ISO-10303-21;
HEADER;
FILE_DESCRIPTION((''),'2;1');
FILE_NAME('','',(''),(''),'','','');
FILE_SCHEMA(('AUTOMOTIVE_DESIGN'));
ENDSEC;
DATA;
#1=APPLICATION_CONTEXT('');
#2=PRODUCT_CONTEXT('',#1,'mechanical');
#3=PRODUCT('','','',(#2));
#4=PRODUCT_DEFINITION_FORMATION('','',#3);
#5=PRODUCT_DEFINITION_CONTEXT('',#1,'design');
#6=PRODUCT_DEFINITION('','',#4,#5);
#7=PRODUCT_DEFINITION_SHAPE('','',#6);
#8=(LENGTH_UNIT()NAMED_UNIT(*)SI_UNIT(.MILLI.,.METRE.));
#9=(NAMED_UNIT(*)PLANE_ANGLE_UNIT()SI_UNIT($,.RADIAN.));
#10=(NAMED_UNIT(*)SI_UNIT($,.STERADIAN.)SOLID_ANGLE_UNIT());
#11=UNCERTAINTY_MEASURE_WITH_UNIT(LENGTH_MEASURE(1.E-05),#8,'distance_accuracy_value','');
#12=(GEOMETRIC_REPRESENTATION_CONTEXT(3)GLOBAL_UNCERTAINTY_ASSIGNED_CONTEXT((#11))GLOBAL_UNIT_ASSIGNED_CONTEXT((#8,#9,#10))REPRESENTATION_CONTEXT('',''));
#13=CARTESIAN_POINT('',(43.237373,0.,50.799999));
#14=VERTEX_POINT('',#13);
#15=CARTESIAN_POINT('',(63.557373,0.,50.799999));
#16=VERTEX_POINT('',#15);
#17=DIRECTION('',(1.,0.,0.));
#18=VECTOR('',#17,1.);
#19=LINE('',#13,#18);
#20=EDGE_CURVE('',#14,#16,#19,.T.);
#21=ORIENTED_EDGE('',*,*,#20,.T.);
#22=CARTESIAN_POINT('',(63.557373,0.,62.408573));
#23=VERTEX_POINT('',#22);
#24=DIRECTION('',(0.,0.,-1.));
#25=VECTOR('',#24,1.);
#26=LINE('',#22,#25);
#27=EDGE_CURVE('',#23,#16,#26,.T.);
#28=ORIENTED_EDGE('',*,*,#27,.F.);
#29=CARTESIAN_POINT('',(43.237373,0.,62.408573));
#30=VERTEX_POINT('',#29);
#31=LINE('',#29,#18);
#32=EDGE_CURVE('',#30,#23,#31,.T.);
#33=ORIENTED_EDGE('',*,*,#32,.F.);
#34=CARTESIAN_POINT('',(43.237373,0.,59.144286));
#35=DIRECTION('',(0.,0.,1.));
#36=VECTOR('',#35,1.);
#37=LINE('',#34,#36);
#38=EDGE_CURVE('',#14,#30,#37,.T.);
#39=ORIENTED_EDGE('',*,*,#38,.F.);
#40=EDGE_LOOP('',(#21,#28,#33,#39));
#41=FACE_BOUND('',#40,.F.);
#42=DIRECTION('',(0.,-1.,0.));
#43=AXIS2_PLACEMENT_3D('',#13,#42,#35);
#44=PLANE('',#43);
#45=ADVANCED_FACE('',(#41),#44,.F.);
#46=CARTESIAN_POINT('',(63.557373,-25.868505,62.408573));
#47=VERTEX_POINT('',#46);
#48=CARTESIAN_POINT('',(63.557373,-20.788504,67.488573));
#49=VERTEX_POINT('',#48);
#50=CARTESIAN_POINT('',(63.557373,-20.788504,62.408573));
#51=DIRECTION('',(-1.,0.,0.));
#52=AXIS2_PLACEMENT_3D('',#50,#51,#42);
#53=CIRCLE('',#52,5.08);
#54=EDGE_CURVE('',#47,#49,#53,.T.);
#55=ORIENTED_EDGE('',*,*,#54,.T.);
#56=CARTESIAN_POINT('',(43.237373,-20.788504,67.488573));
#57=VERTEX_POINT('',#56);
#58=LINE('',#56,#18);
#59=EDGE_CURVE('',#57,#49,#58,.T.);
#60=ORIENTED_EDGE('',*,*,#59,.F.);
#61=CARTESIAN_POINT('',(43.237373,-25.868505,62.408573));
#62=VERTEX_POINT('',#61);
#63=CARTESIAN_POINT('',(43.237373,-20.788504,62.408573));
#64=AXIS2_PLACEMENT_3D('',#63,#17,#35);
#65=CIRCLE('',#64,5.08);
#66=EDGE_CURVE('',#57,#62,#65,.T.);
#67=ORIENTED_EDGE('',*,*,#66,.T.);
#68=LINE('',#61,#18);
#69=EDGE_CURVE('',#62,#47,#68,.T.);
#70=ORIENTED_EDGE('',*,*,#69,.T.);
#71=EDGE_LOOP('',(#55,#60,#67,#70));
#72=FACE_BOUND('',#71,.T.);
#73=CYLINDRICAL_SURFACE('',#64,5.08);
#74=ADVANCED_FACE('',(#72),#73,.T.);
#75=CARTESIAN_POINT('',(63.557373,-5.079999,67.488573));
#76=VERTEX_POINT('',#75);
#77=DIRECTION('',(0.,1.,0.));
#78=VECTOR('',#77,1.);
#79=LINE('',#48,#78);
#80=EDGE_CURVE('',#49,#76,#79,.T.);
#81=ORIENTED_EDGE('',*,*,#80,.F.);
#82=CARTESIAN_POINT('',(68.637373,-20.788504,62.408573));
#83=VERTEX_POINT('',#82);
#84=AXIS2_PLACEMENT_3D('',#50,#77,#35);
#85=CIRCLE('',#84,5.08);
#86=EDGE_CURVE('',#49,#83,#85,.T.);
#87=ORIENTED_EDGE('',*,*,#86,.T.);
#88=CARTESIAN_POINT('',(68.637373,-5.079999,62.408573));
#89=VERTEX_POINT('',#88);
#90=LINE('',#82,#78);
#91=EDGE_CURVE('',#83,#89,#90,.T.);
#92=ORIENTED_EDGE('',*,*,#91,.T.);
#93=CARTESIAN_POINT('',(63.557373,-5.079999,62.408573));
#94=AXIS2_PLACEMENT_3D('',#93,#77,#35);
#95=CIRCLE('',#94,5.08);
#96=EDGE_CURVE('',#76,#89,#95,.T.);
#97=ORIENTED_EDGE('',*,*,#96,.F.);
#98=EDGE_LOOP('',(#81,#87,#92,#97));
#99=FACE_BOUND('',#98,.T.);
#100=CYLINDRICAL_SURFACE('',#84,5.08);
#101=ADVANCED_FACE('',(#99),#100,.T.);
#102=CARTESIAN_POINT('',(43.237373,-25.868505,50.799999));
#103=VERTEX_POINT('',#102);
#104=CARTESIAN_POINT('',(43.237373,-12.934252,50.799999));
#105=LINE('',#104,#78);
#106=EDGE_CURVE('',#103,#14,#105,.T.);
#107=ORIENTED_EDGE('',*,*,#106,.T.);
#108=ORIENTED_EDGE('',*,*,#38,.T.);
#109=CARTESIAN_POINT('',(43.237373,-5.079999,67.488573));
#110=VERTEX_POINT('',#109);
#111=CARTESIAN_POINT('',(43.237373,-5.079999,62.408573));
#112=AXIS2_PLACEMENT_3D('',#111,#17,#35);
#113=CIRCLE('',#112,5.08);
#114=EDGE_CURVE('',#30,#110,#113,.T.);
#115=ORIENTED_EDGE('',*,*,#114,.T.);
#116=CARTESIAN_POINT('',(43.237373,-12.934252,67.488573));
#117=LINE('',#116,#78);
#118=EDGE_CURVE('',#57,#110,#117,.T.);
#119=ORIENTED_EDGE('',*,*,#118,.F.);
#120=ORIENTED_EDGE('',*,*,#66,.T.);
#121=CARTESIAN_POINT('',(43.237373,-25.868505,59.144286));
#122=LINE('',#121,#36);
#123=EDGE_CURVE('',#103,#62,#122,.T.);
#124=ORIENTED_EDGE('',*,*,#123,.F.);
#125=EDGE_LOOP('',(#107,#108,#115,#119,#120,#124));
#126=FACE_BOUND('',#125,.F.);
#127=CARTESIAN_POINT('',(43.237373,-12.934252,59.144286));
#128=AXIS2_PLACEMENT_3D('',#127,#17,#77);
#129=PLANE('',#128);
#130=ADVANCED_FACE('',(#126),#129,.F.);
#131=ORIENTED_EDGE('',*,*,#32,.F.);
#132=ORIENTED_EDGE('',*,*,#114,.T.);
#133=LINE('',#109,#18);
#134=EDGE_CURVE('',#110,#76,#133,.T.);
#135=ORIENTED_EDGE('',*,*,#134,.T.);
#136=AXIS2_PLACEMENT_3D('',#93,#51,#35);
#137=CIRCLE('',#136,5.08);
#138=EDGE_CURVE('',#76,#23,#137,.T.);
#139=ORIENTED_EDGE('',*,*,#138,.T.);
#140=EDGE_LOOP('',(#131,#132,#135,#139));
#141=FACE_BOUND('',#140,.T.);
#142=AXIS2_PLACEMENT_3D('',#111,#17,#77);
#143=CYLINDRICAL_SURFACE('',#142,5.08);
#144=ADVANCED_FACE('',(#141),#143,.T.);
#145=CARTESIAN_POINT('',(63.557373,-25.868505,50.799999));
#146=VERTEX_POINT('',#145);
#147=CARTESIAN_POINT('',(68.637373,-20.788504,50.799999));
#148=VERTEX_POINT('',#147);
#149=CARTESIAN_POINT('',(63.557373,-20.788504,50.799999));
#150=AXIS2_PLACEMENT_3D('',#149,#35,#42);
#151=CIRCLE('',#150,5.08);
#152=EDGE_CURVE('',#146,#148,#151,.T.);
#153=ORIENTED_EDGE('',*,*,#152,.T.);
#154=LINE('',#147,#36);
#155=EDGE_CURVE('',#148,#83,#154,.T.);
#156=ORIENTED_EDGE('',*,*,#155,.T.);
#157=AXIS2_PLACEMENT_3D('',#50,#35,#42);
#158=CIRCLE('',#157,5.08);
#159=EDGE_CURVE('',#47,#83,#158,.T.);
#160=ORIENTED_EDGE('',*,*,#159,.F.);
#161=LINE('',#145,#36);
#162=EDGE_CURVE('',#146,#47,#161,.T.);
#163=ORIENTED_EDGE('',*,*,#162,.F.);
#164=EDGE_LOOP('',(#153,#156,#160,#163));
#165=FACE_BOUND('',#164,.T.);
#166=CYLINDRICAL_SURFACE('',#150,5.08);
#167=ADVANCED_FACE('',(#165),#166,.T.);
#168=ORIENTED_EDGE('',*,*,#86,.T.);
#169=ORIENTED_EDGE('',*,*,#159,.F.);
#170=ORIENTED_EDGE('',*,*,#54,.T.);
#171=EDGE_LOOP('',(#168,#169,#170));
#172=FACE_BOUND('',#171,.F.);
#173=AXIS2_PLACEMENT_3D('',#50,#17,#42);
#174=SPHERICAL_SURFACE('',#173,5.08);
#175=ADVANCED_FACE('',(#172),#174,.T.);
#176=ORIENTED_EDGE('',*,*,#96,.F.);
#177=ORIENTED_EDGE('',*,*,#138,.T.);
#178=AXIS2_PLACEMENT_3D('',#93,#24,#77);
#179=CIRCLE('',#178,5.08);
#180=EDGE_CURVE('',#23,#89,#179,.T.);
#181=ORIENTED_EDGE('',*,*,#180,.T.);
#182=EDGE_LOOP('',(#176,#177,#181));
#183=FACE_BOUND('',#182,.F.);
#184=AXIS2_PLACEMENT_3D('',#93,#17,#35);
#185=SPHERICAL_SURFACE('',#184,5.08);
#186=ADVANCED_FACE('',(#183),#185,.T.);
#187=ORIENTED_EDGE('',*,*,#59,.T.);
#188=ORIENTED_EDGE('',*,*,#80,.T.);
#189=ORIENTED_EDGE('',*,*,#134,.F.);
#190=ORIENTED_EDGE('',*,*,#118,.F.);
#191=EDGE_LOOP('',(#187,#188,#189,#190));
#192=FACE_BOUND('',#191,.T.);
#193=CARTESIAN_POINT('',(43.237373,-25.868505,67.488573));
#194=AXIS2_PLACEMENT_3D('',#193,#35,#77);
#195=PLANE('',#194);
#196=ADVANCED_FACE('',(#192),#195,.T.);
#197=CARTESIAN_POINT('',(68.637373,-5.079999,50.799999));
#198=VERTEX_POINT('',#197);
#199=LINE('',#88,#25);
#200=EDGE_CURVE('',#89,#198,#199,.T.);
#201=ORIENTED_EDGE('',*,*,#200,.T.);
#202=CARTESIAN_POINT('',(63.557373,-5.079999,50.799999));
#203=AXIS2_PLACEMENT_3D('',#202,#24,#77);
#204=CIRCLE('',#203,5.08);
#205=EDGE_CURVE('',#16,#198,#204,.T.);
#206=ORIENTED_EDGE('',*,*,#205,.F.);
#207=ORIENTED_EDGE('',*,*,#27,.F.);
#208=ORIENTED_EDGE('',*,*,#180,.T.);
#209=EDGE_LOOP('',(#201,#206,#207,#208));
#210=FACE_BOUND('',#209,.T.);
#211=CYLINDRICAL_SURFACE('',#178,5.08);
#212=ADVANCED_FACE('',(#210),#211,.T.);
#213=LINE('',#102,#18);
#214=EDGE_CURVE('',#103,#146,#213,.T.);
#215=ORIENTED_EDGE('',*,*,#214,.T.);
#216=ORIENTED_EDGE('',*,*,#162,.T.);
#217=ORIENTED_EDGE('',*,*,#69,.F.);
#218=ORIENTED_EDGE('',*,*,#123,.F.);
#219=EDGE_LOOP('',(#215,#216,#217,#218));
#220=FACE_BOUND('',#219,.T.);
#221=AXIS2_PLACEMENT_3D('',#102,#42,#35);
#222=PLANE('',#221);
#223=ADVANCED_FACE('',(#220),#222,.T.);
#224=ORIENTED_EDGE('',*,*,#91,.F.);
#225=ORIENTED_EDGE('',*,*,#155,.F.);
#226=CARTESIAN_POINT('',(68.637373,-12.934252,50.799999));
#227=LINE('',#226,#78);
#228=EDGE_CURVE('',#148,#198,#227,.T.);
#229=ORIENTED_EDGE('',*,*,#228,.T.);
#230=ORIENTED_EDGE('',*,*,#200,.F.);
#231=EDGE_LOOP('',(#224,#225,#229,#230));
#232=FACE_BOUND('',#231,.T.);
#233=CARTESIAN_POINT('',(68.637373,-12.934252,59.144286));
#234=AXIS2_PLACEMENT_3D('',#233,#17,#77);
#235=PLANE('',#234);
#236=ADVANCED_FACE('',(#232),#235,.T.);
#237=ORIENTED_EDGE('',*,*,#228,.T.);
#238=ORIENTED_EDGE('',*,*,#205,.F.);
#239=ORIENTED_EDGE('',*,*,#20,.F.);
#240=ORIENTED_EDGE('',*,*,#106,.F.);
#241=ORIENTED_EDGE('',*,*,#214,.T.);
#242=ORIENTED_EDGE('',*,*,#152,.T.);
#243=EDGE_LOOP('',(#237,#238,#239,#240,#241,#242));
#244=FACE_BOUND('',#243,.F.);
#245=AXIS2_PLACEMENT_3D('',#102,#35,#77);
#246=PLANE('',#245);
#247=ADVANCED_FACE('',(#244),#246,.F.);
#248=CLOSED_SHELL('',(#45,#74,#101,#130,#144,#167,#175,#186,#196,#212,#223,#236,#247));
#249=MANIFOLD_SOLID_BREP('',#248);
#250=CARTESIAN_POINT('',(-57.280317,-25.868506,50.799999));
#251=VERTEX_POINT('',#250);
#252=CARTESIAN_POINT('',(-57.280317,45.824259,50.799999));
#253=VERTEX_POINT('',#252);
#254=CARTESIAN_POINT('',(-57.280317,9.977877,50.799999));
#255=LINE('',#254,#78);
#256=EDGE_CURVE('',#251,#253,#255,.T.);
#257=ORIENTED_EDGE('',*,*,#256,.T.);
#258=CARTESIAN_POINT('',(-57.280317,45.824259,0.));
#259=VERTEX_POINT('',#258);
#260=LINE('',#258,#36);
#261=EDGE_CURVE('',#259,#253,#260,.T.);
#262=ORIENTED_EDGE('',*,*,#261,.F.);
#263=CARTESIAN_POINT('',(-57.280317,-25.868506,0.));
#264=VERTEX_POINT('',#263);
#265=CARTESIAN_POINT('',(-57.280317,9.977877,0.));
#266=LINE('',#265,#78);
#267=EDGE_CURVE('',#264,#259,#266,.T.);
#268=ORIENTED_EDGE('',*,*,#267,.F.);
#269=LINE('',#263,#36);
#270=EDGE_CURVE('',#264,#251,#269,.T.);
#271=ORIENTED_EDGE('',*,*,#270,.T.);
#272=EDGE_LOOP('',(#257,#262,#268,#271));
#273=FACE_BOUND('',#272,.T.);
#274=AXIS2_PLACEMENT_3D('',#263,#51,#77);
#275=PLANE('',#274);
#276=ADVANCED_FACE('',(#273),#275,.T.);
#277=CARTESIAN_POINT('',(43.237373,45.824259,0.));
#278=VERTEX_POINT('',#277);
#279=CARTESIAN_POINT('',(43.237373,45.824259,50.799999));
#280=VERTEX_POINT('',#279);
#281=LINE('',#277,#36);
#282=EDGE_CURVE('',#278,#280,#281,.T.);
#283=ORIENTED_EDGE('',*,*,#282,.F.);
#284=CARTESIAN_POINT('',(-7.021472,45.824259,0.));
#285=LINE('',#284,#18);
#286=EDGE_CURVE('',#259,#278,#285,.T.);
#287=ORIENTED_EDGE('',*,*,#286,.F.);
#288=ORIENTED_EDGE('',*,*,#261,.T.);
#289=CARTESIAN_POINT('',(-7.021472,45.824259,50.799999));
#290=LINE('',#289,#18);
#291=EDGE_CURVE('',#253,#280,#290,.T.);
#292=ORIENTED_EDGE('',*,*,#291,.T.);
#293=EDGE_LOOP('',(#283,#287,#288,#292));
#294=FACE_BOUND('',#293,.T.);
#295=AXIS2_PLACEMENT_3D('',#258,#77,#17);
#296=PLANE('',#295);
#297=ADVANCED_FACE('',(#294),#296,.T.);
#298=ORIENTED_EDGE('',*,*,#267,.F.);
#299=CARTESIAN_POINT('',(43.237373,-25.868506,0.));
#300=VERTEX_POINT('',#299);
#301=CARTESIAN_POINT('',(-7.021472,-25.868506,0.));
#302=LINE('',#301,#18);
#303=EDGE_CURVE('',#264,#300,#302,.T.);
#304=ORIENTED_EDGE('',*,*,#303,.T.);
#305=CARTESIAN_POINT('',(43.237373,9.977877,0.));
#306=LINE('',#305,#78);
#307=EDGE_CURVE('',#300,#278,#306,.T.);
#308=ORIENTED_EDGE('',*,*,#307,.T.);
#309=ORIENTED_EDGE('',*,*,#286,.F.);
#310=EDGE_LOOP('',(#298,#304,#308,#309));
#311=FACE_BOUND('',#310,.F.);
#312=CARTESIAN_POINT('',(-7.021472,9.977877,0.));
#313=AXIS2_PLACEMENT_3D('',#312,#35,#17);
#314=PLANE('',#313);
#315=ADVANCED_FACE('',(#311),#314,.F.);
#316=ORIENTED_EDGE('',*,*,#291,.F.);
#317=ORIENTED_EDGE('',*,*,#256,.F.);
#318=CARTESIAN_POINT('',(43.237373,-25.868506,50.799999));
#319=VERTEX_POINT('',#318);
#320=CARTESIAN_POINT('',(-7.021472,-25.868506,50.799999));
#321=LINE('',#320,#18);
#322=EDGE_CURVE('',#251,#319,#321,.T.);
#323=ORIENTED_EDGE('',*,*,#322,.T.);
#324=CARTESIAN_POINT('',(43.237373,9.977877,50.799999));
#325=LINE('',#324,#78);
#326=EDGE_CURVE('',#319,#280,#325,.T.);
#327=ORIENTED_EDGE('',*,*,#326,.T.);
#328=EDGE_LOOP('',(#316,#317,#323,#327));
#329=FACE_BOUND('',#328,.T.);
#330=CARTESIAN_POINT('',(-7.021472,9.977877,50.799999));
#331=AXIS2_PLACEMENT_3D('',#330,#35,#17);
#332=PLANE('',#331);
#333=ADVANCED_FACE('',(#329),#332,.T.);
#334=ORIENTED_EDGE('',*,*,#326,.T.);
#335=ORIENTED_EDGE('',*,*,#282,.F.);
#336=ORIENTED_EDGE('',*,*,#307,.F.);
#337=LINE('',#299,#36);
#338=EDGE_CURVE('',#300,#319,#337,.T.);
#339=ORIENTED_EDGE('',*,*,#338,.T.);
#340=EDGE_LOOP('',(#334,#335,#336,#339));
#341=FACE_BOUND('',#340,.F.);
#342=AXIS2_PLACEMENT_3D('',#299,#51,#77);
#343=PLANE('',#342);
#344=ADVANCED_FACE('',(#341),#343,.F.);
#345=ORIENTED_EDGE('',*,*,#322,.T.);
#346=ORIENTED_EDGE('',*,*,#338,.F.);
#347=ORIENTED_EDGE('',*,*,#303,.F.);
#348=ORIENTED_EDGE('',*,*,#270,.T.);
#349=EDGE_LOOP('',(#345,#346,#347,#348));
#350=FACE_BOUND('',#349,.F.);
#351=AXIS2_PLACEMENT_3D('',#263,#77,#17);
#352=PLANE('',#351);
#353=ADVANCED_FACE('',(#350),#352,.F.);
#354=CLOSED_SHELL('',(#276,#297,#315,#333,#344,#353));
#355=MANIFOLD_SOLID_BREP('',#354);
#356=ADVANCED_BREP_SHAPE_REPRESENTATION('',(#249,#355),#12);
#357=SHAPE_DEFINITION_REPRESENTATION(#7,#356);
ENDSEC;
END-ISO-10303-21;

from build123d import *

# Parameters (mm, degrees)
F0_W     = 100.51769
F0_H     = 71.692765
F1_DEPTH = 50.799999
F2_W     = 25.868505
F2_H     = 16.688574
F3_DEPTH = 25.4
F4_R     = 5.08
F5_R     = 5.08
F6_R     = 5.08


with BuildPart() as f1:
    # F0 (on Top) → F1 (new body)
    with BuildSketch(Plane.XY):
        with Locations((-7.021472, 9.977877)):
            Rectangle(F0_W, F0_H)
    extrude(amount=F1_DEPTH)


with BuildPart() as f3:
    # F2 (on face) → F3 (new body)
    with BuildSketch(Plane.YZ.offset(43.237373)):
        with Locations((-12.934252, 59.144286)):
            Rectangle(F2_W, F2_H)
    extrude(amount=F3_DEPTH)

    # F4
    f4_edges = [f3.edges().sort_by_distance(p)[0] for p in [
        (55.937373, 0, 67.488573),
    ]]
    fillet(f4_edges, radius=F4_R)

    # F5
    f5_edges = [f3.edges().sort_by_distance(p)[0] for p in [
        (55.937373, -25.868505, 67.488573),
    ]]
    fillet(f5_edges, radius=F5_R)

    # F6
    f6_edges = [f3.edges().sort_by_distance(p)[0] for p in [
        (68.637373, -12.934253, 67.488573),
    ]]
    fillet(f6_edges, radius=F6_R)


solid = Compound([f1.part, f3.part])
